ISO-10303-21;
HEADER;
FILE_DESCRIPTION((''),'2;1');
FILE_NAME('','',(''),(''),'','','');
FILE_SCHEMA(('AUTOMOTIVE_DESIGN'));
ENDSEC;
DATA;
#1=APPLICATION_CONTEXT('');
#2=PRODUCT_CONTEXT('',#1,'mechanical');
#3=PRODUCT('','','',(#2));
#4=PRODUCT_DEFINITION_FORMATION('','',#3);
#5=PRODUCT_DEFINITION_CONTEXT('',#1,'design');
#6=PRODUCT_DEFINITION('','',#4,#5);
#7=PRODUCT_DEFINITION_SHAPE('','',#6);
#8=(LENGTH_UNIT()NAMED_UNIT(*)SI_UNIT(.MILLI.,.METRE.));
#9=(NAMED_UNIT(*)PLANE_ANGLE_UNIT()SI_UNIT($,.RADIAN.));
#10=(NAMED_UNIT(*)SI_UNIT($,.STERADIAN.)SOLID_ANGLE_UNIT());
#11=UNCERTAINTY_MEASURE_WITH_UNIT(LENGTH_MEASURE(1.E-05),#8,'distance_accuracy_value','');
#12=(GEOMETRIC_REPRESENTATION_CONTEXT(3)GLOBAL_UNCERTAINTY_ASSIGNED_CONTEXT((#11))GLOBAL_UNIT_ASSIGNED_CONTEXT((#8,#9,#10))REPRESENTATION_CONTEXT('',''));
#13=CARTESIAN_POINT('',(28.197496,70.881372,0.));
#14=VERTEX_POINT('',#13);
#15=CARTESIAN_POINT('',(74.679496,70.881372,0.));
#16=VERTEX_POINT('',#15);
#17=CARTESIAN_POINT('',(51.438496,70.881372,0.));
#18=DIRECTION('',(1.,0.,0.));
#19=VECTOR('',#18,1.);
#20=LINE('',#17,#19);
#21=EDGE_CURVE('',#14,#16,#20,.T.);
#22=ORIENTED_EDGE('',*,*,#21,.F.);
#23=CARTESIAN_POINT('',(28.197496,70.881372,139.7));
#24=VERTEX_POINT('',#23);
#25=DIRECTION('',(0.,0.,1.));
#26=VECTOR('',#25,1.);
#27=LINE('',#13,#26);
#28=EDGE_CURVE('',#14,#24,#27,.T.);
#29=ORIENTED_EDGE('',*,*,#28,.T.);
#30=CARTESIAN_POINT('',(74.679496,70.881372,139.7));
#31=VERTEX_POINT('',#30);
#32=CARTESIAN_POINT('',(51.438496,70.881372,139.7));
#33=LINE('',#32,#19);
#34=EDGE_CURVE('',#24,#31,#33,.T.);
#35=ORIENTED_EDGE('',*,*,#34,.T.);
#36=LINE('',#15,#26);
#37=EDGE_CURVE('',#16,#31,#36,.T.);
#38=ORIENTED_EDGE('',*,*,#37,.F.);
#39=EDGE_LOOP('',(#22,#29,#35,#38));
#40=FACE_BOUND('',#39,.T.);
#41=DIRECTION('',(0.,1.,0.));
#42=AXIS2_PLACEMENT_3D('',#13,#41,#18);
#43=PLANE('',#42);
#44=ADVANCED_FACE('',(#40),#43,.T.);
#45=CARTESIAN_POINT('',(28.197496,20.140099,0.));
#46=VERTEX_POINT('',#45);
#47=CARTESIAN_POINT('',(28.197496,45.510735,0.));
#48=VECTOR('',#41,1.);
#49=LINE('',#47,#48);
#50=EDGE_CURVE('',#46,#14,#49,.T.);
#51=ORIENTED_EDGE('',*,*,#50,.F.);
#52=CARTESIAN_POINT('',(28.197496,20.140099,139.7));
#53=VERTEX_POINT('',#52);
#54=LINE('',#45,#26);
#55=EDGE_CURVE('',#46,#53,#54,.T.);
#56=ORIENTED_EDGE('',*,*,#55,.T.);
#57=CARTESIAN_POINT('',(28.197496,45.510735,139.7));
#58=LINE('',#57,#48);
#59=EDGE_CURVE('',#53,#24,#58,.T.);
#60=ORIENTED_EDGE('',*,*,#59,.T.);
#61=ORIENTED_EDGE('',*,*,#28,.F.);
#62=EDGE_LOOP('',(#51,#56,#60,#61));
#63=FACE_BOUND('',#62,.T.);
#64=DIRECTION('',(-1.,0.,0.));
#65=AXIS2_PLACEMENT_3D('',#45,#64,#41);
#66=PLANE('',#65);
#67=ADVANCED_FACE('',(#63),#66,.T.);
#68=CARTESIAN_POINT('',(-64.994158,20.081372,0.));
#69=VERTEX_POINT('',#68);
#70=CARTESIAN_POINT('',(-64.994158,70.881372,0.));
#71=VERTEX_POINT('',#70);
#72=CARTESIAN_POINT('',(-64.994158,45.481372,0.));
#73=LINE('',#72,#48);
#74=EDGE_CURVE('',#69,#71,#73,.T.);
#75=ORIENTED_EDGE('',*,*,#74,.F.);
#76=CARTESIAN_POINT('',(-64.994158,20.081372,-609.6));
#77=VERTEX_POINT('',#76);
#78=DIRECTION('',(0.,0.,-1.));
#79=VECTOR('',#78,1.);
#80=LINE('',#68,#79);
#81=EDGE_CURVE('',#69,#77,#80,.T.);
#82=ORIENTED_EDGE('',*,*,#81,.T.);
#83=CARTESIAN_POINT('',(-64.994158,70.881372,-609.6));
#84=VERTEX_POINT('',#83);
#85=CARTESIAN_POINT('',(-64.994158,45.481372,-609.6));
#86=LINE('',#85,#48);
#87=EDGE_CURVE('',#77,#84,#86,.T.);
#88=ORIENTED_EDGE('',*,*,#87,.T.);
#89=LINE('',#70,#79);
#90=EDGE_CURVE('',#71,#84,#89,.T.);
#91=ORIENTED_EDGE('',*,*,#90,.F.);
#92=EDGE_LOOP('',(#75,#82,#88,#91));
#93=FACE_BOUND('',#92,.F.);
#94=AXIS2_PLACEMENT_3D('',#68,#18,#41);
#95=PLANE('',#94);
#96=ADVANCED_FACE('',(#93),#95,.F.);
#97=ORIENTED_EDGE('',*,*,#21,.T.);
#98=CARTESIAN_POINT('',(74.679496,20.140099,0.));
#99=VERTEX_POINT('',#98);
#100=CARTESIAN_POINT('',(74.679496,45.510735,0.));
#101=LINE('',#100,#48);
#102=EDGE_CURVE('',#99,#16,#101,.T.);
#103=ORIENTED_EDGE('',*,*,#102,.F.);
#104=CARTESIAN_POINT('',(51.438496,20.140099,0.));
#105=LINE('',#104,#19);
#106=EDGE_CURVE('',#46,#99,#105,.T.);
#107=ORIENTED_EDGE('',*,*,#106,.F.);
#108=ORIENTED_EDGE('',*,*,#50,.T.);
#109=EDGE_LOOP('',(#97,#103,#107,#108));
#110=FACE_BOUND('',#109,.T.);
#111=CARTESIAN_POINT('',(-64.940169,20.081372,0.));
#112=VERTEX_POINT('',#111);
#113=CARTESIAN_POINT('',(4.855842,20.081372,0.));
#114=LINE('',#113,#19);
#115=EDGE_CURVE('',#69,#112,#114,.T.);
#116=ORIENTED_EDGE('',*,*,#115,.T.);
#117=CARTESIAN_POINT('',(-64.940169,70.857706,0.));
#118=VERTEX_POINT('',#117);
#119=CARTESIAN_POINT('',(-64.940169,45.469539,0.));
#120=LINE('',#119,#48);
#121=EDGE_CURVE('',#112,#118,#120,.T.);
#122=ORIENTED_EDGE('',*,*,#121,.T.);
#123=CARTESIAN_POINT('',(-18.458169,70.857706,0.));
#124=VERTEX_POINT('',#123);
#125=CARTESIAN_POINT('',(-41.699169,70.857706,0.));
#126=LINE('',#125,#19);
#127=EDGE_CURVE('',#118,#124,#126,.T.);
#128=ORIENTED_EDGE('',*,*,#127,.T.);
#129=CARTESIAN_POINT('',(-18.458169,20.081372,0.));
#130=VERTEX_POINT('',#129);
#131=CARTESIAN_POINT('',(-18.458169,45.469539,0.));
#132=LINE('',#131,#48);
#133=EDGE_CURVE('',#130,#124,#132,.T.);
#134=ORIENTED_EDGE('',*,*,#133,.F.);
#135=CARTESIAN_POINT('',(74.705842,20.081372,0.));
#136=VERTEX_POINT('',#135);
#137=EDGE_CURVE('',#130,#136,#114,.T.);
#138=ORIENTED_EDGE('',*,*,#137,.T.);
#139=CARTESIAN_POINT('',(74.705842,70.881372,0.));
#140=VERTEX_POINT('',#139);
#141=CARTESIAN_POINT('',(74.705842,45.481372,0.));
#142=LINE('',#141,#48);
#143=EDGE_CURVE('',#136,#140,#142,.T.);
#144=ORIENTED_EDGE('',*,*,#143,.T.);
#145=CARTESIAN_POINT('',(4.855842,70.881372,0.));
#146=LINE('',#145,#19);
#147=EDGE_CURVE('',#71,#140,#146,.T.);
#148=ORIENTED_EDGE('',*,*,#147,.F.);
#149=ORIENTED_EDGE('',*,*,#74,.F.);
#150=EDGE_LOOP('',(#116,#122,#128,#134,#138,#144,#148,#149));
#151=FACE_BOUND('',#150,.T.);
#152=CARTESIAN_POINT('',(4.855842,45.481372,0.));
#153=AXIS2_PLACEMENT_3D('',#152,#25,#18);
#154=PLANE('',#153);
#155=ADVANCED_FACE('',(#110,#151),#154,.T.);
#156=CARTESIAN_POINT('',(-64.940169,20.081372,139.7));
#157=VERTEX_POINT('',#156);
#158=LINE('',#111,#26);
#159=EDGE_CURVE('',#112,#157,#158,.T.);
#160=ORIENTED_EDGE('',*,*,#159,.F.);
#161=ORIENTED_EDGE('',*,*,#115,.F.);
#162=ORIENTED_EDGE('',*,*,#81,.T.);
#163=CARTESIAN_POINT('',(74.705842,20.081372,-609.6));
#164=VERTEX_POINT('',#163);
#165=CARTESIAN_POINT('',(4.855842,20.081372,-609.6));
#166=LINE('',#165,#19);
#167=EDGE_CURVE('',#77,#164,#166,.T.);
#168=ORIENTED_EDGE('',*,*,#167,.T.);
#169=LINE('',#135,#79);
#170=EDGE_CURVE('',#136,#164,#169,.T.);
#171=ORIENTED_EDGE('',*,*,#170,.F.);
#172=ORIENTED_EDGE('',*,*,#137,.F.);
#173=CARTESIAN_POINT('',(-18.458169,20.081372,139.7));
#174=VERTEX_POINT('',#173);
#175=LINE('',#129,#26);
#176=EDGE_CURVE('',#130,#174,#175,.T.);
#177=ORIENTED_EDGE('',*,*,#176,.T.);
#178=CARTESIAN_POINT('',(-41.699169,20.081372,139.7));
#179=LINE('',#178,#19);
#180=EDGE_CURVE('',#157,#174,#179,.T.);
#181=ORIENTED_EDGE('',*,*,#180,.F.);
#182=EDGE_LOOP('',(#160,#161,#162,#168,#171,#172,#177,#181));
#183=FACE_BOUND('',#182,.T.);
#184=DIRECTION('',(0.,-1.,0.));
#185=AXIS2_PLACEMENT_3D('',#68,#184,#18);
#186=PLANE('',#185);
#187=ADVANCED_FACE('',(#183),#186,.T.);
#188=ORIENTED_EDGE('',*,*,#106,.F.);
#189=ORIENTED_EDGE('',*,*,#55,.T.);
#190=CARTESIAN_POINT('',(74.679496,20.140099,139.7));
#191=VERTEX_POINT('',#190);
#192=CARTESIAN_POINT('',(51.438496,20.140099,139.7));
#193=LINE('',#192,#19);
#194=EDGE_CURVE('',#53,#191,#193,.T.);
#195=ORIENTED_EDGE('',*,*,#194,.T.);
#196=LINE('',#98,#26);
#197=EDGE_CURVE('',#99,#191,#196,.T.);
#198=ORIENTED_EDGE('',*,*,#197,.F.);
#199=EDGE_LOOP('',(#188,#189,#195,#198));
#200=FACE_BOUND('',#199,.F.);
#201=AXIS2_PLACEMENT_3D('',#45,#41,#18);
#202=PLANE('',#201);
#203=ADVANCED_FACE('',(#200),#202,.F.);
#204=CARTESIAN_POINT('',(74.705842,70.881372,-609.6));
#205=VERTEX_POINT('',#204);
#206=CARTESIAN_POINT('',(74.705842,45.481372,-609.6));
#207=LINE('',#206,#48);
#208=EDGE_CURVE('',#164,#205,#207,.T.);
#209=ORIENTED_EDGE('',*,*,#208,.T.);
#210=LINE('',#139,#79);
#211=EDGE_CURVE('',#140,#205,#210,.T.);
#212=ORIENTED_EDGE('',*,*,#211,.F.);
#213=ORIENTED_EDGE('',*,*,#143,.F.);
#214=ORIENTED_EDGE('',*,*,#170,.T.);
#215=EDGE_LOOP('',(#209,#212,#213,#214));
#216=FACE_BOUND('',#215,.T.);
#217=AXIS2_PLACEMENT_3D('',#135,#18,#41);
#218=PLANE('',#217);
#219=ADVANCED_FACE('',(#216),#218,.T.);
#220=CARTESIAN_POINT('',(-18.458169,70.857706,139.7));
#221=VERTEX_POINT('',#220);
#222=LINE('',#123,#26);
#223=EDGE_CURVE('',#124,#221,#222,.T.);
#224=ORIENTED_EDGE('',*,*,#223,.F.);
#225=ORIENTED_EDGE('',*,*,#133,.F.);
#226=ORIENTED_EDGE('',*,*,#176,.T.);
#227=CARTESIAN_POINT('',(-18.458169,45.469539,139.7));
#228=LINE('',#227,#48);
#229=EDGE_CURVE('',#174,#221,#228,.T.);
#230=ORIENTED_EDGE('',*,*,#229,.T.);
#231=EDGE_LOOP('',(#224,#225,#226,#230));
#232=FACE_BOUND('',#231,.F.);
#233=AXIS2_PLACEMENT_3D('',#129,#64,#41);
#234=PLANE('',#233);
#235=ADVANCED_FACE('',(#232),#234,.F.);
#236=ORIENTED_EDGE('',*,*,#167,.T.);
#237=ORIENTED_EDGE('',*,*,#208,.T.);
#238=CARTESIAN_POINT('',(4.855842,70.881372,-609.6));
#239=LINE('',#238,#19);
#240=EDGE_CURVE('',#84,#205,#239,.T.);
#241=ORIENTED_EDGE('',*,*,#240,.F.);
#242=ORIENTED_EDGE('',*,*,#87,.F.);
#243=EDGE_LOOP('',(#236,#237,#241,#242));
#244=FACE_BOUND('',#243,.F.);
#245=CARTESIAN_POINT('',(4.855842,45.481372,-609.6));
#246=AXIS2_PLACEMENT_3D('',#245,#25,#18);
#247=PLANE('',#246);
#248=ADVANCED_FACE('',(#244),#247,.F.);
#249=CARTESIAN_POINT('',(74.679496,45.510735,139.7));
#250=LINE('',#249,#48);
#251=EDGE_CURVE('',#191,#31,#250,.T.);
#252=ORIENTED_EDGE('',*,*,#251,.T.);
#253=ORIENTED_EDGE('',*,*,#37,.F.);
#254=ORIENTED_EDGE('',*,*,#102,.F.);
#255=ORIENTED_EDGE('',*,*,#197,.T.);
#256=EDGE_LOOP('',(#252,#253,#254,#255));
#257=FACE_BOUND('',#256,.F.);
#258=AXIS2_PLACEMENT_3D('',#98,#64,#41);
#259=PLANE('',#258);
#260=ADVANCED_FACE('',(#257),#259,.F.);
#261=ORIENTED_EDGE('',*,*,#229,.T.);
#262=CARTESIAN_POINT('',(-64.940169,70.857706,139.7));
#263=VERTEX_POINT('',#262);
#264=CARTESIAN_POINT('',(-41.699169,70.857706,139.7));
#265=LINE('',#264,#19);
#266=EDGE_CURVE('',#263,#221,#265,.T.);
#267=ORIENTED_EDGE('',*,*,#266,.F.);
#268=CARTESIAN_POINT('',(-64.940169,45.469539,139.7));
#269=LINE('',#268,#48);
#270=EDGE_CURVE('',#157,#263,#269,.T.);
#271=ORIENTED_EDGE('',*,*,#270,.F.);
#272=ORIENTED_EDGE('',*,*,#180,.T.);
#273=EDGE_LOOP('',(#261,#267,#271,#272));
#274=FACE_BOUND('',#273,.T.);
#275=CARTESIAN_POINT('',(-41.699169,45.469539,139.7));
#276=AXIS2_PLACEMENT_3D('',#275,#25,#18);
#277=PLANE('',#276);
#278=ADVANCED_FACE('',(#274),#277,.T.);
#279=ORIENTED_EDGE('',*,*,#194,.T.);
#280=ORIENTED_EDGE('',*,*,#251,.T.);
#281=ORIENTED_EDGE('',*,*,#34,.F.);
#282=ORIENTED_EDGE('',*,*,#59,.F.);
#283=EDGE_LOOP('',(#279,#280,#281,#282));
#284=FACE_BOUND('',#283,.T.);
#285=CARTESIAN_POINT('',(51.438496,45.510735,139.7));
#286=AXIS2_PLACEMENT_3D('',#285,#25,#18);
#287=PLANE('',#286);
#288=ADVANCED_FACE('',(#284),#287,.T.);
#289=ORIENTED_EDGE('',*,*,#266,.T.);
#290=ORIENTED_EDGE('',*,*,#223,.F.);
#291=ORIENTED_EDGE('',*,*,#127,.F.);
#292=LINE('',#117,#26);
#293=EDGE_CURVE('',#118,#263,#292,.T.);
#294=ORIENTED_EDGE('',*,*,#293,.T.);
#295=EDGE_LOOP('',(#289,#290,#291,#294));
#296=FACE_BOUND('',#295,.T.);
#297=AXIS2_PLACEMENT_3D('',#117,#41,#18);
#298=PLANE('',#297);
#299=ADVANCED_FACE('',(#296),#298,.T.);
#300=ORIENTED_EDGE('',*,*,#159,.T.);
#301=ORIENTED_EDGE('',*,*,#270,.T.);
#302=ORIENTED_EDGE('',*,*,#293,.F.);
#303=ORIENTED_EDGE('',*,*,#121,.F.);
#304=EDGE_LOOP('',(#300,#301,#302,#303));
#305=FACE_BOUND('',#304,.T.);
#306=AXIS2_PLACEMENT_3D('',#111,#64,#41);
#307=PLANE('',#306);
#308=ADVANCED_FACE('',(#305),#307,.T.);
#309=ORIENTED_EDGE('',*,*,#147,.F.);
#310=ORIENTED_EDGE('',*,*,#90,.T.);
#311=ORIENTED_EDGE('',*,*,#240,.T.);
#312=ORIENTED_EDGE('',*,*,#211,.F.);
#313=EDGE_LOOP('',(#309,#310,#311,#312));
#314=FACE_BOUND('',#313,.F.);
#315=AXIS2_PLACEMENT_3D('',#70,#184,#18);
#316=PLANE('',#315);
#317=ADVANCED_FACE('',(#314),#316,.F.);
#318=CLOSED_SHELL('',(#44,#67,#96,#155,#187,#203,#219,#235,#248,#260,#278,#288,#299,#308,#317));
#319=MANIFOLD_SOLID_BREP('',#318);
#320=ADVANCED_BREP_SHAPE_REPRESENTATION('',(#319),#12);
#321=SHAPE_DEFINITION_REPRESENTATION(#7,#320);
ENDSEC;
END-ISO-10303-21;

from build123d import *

# Parameters (mm, degrees)
F0_W     = 139.7
F0_H     = 50.8
F1_DEPTH = 609.6
F2_W     = 46.482
F2_H     = 50.776334
F3_DEPTH = 139.7
F4_W     = 46.482
F4_H     = 50.741273
F5_DEPTH = 139.7


with BuildPart() as f1:
    # F0 (on Top) → F1 (new body)
    with BuildSketch(Plane.XY):
        with Locations((4.855842, 45.481372)):
            Rectangle(F0_W, F0_H)
    extrude(amount=-F1_DEPTH)

    # F2 (on face) → F3 (join)
    with BuildSketch(Plane.XY):
        with Locations((-41.699169, 45.469539)):
            Rectangle(F2_W, F2_H)
    extrude(amount=F3_DEPTH)

    # F4 (on face) → F5 (join)
    with BuildSketch(Plane.XY):
        with Locations((51.438496, 45.510735)):
            Rectangle(F4_W, F4_H)
    extrude(amount=F5_DEPTH)


solid = f1.part
